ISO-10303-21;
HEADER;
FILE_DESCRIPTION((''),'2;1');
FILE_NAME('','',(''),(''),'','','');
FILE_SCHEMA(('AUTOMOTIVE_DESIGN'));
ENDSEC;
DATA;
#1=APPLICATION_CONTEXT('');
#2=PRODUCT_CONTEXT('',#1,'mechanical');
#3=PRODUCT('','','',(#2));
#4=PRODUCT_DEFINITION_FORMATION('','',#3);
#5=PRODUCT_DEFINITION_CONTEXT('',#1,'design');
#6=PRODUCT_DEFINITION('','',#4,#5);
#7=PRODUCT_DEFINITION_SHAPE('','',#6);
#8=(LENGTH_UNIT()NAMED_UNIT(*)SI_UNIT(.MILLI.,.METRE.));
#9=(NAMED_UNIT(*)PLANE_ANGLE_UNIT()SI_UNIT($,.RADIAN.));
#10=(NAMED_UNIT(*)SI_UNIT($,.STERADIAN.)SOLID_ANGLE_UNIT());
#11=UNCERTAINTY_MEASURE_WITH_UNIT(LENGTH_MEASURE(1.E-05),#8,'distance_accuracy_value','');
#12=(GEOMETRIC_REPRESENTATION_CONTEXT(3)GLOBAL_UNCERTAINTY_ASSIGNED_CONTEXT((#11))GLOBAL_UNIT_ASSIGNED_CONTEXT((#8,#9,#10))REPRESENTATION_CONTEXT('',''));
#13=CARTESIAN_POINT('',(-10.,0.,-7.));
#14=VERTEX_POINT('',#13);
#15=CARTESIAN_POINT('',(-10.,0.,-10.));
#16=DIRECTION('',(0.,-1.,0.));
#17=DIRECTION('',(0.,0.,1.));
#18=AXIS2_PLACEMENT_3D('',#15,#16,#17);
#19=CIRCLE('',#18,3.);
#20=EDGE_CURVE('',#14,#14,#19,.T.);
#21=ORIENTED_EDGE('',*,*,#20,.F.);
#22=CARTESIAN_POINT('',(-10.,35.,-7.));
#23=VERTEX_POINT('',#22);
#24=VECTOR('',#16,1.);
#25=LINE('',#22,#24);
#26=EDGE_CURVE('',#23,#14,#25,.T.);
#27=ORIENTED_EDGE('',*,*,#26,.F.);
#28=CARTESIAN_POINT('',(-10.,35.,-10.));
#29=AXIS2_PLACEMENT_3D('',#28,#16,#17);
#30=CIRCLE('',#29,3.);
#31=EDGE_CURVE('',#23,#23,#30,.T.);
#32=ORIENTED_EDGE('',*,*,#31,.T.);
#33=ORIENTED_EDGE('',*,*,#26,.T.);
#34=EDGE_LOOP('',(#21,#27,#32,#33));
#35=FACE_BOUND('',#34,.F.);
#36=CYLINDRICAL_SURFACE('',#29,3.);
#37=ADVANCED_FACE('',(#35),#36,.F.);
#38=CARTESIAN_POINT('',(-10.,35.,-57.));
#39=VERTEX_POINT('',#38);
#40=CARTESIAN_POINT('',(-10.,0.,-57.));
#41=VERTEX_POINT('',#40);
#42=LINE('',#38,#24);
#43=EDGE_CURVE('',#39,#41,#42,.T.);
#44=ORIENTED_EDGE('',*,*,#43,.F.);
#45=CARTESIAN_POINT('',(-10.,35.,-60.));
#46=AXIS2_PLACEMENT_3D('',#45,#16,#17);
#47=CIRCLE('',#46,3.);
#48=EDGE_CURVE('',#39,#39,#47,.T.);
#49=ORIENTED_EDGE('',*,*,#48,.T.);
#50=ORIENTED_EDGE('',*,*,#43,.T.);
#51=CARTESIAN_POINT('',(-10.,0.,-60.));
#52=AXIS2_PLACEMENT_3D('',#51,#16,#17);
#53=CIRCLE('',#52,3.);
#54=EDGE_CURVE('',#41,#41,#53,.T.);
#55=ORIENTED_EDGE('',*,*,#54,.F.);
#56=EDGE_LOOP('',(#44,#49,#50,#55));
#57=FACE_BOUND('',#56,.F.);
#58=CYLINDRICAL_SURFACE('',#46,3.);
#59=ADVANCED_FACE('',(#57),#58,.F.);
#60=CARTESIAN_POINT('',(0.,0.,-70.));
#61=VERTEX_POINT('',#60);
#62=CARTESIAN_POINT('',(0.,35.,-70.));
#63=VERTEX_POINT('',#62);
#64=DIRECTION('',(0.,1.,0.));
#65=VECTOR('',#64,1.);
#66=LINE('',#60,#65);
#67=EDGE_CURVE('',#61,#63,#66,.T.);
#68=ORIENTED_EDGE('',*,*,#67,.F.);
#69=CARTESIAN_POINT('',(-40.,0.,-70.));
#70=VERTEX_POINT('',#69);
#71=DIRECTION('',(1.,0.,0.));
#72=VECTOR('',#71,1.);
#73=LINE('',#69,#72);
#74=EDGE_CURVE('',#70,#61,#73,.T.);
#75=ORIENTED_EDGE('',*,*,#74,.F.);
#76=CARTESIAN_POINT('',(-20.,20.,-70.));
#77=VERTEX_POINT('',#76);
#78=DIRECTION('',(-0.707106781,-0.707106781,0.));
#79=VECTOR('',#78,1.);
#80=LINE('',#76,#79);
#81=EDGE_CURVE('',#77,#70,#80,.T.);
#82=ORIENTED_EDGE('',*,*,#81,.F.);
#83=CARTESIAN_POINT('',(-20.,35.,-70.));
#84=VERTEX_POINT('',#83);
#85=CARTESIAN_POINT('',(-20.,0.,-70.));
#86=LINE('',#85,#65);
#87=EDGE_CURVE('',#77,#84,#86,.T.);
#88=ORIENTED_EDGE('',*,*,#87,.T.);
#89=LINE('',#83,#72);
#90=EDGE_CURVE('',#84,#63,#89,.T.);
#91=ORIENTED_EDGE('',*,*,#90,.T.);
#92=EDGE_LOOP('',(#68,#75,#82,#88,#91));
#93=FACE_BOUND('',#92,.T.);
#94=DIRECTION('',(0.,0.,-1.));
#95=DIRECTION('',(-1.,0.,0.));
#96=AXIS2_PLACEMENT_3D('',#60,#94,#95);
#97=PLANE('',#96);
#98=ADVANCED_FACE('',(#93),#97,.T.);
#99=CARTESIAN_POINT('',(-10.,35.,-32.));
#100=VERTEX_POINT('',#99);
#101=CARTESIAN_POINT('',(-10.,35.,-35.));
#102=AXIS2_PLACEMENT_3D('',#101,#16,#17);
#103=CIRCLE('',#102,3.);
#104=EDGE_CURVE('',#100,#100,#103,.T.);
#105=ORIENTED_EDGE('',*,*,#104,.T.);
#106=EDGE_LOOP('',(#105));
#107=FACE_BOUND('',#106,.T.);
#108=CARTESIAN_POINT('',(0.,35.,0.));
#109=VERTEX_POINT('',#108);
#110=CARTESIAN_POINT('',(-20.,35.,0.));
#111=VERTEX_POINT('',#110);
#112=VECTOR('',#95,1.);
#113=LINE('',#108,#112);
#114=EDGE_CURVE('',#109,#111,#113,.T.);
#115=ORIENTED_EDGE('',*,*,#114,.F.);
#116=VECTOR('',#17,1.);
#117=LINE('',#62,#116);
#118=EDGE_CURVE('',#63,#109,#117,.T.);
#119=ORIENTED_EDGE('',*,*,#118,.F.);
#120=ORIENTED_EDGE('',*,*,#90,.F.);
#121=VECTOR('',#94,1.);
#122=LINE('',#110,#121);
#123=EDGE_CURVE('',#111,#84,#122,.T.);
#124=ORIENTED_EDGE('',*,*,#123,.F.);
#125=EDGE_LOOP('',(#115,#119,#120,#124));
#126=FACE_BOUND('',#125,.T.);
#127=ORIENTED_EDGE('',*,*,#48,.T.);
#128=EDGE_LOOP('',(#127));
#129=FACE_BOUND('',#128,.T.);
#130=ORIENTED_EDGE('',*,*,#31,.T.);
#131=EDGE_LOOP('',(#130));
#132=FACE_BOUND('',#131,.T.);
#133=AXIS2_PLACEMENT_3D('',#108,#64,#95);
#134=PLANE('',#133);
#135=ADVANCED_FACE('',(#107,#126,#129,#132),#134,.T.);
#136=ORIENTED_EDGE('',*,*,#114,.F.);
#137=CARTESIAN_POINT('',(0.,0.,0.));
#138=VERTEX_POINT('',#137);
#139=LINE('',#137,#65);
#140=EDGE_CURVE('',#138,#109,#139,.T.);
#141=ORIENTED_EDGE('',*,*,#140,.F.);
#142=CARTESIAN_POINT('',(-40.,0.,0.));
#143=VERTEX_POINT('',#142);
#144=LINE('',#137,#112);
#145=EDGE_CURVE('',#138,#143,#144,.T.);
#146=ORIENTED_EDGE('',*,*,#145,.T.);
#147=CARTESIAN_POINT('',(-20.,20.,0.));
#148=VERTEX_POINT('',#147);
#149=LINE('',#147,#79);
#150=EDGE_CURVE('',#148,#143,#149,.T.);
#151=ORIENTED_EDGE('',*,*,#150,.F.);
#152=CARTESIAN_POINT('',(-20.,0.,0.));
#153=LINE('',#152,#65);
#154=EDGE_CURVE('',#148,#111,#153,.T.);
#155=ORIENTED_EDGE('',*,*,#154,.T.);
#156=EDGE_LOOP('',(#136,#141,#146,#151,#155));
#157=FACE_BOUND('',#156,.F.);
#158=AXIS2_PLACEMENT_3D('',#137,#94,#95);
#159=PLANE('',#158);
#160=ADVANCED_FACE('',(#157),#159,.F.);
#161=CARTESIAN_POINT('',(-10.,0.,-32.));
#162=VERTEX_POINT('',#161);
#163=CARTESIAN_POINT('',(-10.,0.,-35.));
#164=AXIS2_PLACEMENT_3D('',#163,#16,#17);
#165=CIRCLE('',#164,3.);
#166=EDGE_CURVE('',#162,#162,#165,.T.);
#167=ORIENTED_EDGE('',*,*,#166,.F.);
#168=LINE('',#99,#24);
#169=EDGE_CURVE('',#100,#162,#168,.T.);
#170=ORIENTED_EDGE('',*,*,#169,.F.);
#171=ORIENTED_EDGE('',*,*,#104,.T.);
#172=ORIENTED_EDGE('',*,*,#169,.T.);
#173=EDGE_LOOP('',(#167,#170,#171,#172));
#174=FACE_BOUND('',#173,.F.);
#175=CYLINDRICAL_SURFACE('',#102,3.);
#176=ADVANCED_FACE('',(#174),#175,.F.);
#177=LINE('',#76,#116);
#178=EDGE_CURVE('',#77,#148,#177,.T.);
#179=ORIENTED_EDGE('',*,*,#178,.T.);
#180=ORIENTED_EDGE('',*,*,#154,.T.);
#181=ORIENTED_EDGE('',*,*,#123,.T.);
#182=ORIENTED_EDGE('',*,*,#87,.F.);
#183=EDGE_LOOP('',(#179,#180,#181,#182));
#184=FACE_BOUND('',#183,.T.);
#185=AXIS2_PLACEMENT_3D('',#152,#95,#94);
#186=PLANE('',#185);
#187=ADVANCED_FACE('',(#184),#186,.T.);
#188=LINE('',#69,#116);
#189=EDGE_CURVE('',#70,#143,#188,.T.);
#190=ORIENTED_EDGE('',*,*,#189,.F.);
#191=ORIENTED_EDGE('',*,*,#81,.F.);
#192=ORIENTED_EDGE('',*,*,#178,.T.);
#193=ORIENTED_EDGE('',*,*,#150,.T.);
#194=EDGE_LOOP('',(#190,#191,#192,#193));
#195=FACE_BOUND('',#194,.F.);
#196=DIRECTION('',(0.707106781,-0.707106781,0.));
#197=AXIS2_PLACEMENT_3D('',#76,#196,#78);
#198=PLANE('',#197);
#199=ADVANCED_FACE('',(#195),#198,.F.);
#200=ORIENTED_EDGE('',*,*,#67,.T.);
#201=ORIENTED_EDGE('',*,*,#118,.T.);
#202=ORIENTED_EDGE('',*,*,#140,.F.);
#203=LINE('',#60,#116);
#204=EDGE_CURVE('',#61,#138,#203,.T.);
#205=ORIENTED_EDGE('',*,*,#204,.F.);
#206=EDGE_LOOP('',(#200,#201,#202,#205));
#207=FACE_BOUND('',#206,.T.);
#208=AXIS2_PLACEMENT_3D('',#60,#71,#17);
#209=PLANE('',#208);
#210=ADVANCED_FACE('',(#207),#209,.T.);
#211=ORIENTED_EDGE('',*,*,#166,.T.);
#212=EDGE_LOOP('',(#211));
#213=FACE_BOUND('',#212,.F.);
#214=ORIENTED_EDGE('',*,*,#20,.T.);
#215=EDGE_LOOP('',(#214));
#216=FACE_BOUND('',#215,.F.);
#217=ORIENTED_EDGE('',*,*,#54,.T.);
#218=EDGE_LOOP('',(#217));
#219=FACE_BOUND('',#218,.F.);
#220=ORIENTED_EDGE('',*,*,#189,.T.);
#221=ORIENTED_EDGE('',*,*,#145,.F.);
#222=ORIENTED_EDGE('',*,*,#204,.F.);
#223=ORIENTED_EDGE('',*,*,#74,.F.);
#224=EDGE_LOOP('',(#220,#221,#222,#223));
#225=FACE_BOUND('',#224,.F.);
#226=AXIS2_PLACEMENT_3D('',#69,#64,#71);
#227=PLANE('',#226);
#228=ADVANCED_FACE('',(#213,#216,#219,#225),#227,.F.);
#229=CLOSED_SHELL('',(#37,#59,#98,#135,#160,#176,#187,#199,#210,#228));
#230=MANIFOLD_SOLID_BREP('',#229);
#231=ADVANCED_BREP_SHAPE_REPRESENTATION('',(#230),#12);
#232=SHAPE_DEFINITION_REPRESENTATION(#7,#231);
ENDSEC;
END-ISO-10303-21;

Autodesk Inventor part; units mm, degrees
ref_plane "YZ Plane" through (0, 0, 0) normal (1, 0, 0) x (0, 1, 0)
ref_plane "XZ Plane" through (0, 0, 0) normal (0, 1, 0) x (-1, 0, 0)
ref_plane "XY Plane" through (0, 0, 0) normal (0, 0, 1) x (1, 0, 0)
sketch "Sketch1" plane through (0, 0, 0) normal (0, 1, 0) x (-1, 0, 0)
  line L0 (0, 0) -> (20, 0)
  line L1 (20, 0) -> (20, -70)
  line L2 (20, -70) -> (0, -70)
  line L3 (0, -70) -> (0, 0)
  dimension "d0" = 70
  dimension "d1" = 20
extrude "Extrusion1" add sketch "Sketch1" along normal blind 35
sketch "Sketch2" plane through (0, 35, 0) normal (0, 1, 0) x (1, 0, 0)
  line L0 (-20, 70) -> (-20, 0) projected
  line L1 (0, 70) -> (-20, 70) projected
  point P0 (0, 0)
  point P1 (-10, 60)
  point P2 (-20, 35)
  point P3 (-10, 70)
  point P4 (-10, 35)
  point P5 (-10, 10)
  dimension "d5" = 10
  dimension "d6" = 10
  dimension "d14" = 25
  dimension "d15" = 25
hole "Hole1" at (-10, 35, -60) at (-10, 35, -35) at (-10, 35, -10) direction (0, -1, 0) diameter 6 end through all
sketch "Sketch3" plane through (0, 0, -70) normal (0, 0, -1) x (-1, 0, 0)
  line L0 (0, 0) -> (20, 0) projected
  line L1 (20, 0) -> (20, 20)
  line L2 (20, 0) -> (20, 35) projected
  line L3 (20, 20) -> (40, 0)
  line L4 (40, 0) -> (20, 0)
  dimension "d16" = 20
  dimension "d17" = 45
extrude "Extrusion2" add sketch "Sketch3" against normal up to surface (70 mm away)
properties part number "Magazine_Mount_Plate_Spacer_3DPrint"
